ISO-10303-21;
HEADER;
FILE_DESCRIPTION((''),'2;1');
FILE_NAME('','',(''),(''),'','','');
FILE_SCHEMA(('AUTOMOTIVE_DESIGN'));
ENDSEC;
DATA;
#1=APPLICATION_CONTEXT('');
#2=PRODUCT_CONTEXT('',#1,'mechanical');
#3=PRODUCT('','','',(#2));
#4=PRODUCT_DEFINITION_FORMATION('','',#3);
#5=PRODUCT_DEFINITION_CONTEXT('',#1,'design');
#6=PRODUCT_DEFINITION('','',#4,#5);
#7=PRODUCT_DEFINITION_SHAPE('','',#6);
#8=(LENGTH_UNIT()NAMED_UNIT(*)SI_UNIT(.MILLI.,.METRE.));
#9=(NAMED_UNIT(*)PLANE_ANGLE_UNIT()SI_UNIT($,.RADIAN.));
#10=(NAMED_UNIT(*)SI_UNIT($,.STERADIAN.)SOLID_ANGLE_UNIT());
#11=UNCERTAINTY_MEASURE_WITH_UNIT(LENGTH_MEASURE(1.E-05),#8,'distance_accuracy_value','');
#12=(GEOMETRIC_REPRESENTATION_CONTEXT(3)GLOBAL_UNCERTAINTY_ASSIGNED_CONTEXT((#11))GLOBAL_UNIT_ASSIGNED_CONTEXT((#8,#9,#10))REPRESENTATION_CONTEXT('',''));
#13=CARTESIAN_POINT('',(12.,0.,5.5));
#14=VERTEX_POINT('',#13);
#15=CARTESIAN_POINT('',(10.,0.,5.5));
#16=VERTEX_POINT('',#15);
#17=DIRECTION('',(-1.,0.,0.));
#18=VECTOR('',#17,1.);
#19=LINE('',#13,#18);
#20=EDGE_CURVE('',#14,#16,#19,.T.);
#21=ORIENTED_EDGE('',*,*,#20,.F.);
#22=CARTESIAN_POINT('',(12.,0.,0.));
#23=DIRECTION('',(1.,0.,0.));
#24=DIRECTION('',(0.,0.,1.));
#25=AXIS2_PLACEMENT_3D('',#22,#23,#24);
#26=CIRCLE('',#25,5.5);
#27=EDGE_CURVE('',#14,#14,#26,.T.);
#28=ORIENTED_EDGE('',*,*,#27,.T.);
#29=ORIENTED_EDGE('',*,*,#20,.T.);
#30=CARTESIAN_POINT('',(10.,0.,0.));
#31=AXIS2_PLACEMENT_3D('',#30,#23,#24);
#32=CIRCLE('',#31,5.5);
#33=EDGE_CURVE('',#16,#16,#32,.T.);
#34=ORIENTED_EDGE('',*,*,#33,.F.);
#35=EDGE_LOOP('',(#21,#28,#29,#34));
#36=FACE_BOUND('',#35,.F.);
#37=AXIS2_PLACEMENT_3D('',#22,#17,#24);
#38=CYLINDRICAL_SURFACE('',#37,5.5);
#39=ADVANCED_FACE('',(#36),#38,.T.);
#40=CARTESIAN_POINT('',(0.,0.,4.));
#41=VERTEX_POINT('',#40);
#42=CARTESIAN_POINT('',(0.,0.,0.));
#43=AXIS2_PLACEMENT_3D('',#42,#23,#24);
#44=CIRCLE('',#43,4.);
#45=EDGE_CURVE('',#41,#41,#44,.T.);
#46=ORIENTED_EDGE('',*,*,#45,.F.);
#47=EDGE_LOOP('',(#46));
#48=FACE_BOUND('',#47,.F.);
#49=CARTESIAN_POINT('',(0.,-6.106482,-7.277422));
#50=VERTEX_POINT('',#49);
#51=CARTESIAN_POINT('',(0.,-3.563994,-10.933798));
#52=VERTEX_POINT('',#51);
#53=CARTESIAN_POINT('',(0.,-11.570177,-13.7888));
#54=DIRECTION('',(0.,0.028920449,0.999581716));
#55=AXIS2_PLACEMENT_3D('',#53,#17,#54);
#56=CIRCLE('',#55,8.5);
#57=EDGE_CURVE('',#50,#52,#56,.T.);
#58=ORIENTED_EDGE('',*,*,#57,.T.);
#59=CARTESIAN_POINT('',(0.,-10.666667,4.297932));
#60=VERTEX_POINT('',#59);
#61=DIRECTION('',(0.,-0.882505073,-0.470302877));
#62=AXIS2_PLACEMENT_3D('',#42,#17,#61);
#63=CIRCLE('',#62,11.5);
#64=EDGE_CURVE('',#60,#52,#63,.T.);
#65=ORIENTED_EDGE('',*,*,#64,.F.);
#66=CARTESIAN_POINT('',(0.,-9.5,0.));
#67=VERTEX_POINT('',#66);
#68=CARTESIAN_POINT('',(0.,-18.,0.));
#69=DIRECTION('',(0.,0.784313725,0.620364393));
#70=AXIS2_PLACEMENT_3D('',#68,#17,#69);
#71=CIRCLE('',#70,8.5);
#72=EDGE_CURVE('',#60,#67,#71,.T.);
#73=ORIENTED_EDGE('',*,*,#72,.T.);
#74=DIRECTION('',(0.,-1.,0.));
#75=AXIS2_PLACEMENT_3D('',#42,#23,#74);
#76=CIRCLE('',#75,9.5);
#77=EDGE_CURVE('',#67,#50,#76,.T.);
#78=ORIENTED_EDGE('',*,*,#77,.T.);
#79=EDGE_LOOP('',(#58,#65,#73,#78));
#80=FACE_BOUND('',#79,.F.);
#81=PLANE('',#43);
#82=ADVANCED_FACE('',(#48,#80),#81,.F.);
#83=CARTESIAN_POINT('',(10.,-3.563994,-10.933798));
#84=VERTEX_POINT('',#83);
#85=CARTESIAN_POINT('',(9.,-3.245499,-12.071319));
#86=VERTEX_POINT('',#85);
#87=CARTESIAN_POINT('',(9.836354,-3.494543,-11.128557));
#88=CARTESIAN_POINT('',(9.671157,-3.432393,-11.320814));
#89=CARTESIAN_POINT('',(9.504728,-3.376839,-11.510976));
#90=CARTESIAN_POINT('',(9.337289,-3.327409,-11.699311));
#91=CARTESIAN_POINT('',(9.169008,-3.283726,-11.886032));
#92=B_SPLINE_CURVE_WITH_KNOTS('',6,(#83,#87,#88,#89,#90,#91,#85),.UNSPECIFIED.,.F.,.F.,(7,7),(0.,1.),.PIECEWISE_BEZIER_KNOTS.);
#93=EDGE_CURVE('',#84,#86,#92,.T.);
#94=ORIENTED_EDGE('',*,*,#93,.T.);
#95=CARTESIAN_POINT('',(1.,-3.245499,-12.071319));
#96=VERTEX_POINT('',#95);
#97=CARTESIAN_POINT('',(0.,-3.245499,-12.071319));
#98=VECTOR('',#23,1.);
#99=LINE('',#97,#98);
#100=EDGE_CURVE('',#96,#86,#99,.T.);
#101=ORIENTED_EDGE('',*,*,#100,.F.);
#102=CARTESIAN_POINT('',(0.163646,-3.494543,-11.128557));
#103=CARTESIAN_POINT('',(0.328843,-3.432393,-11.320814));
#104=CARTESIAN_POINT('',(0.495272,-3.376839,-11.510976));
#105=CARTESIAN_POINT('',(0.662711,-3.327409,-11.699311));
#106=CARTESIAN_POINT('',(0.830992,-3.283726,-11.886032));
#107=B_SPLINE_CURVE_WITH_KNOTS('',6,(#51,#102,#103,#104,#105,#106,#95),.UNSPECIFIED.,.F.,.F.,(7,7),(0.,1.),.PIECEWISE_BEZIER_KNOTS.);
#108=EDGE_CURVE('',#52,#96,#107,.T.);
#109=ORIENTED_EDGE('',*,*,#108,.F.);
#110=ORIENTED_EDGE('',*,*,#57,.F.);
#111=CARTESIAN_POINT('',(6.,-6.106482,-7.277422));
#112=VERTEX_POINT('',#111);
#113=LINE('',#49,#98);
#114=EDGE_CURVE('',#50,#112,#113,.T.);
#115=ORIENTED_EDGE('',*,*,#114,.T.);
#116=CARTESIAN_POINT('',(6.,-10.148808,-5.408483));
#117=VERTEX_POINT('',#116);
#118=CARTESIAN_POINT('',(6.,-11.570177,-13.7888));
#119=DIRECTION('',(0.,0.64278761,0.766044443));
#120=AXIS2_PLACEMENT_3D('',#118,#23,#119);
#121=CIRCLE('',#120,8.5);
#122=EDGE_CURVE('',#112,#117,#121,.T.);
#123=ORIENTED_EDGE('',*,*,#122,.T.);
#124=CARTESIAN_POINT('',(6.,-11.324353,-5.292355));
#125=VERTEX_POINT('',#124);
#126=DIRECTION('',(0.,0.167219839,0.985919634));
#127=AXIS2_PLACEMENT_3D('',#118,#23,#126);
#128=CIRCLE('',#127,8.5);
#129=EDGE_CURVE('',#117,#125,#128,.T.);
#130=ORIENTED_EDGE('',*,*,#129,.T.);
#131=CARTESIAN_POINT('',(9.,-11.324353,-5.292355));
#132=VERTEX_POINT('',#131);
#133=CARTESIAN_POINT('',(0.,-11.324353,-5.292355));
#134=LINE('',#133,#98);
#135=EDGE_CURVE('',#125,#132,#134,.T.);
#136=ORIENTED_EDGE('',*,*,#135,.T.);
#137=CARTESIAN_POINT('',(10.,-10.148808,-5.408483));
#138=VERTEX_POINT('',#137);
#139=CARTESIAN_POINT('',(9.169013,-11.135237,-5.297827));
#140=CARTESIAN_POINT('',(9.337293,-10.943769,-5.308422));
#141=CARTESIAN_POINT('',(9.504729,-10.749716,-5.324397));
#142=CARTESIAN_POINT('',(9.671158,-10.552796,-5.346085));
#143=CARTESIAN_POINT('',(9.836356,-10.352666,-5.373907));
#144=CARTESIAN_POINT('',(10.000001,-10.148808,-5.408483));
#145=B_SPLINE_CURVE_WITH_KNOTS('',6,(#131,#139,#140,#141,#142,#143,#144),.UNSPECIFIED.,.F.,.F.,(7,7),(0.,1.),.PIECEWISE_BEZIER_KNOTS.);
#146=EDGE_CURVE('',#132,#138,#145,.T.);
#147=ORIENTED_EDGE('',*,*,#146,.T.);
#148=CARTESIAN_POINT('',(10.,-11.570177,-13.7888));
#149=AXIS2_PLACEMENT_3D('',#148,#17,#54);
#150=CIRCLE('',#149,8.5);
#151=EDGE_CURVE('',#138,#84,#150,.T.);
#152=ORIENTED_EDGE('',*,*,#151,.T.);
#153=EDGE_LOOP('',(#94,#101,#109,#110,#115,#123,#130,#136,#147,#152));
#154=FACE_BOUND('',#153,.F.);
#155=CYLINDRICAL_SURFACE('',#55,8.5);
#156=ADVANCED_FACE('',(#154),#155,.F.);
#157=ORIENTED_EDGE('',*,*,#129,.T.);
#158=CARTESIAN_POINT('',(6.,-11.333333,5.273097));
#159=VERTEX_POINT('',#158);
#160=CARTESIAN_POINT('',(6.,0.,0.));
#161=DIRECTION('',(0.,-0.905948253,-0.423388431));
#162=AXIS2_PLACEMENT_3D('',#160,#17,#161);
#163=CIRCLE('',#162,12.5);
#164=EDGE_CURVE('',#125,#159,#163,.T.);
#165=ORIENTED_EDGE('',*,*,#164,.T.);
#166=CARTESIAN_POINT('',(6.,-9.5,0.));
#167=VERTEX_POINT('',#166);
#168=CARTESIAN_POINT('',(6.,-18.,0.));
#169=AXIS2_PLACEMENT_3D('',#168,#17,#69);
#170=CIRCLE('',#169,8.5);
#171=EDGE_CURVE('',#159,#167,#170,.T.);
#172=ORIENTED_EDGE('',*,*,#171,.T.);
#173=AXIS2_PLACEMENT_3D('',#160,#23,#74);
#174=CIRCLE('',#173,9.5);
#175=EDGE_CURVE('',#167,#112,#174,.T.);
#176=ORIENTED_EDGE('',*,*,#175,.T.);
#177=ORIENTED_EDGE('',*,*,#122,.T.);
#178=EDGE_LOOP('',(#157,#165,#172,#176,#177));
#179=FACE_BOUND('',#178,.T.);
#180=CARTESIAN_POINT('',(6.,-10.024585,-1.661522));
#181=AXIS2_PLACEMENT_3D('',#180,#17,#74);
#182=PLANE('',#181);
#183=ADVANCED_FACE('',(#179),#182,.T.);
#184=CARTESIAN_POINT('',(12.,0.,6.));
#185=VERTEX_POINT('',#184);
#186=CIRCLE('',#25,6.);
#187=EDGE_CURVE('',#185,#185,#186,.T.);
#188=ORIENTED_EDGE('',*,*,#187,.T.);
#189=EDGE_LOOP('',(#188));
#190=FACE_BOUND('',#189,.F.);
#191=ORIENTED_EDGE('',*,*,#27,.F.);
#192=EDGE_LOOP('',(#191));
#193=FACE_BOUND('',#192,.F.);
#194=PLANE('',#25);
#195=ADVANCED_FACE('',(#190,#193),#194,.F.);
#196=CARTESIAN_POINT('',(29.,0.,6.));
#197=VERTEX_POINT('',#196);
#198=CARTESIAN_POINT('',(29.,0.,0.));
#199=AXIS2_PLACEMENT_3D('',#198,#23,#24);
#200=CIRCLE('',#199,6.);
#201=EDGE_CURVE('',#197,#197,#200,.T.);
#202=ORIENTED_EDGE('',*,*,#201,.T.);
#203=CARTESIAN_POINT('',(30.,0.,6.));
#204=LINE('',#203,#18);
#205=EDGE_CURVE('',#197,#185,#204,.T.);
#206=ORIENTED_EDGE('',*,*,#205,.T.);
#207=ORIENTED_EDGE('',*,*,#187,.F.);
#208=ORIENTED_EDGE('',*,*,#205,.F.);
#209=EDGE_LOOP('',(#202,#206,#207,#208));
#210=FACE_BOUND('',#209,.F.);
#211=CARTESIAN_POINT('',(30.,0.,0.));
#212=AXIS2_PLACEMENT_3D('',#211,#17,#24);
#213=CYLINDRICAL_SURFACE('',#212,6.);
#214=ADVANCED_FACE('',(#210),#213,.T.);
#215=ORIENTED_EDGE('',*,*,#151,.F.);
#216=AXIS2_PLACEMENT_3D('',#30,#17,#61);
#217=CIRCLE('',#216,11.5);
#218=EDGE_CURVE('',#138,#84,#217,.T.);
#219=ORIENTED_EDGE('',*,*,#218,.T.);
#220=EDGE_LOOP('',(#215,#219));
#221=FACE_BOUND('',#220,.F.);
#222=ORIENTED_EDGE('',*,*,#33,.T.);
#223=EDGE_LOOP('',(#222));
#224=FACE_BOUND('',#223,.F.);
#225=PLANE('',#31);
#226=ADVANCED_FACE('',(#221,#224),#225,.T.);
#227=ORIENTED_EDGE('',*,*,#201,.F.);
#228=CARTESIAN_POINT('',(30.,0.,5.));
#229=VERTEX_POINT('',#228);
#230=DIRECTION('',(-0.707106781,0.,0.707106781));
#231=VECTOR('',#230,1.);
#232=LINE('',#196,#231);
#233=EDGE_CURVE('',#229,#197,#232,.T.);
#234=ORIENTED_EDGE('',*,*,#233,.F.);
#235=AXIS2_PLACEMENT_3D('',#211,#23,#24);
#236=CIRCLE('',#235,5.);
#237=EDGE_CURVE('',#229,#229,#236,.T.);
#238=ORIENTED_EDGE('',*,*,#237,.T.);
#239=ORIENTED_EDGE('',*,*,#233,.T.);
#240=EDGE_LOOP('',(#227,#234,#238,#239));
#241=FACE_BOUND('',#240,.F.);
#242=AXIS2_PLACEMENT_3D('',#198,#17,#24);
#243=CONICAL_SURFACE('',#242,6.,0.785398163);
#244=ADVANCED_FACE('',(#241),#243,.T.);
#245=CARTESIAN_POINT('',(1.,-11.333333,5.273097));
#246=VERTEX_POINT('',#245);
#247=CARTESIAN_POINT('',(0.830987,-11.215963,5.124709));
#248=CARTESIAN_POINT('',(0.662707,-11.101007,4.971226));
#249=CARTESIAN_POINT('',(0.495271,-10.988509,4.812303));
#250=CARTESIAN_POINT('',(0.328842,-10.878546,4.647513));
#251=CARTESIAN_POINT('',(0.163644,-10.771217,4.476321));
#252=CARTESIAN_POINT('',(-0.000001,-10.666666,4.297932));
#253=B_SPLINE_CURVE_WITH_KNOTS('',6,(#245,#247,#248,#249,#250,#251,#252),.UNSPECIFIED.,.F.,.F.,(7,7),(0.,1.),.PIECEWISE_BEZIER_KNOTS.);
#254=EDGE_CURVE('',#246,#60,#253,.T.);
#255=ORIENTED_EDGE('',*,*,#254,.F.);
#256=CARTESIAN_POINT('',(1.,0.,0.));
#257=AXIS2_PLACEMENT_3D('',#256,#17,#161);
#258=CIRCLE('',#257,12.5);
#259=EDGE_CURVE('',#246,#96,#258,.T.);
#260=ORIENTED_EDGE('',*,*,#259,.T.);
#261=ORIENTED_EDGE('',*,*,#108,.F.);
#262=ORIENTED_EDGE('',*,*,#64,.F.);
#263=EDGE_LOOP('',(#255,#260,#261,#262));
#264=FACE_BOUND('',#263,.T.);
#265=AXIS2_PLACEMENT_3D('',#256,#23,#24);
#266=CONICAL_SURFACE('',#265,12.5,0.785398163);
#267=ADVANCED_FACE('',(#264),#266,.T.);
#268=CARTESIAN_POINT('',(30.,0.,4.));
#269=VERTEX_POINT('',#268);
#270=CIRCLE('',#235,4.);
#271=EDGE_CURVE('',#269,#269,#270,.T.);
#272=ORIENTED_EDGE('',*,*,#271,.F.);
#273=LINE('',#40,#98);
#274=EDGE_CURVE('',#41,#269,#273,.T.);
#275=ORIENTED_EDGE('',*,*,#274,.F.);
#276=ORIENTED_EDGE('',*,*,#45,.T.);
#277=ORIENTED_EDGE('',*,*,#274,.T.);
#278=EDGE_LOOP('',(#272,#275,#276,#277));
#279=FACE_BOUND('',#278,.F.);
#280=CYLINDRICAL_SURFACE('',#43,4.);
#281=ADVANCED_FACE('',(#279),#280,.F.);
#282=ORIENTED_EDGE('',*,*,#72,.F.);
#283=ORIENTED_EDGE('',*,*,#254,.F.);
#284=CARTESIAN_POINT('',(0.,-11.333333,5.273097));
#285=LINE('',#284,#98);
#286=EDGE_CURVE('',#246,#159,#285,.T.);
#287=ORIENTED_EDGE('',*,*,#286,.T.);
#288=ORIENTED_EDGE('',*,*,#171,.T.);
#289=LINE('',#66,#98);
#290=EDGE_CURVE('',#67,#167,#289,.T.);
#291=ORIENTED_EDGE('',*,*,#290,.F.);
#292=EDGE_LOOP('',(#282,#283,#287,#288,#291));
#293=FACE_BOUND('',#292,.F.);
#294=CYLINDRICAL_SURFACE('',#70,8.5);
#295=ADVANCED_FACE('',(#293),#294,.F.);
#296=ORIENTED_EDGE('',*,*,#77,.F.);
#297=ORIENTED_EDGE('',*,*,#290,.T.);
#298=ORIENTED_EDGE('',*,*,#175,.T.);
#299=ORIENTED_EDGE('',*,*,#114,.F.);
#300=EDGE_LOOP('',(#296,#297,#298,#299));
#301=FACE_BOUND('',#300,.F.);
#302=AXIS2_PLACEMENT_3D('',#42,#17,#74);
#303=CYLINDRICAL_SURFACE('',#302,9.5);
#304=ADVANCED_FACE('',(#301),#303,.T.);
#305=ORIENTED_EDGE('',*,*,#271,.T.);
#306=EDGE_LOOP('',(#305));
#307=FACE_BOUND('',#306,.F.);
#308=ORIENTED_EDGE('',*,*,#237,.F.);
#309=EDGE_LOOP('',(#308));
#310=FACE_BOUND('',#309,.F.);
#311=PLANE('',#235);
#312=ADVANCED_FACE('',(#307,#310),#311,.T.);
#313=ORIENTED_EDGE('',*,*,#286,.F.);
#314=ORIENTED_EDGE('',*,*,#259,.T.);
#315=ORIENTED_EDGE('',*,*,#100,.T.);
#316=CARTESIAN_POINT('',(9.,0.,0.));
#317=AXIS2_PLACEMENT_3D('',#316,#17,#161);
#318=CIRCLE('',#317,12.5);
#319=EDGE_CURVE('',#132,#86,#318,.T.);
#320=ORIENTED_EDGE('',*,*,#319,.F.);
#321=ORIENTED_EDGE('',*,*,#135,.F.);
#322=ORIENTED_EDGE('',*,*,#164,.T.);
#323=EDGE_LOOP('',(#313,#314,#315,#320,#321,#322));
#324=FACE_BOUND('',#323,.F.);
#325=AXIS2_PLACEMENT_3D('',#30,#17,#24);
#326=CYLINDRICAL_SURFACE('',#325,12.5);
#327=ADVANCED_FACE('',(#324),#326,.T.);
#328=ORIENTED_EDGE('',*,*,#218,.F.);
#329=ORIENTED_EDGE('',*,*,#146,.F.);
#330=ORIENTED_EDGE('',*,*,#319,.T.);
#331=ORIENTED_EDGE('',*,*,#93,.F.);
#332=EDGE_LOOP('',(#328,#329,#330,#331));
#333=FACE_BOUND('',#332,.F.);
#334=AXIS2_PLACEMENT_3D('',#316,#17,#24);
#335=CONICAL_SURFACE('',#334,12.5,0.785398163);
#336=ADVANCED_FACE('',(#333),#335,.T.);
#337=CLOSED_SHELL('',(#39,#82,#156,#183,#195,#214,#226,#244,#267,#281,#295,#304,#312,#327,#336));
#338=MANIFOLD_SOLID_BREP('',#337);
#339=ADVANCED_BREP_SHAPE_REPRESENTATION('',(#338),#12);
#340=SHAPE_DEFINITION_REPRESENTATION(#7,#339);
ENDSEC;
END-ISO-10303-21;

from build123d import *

# Parameters (mm, degrees)
F2_SIZE  = 1
F4_DEPTH = 10
F6_DEPTH = 6


with BuildPart() as f1:
    # F0 (on Front) → F1 (revolve)
    with BuildSketch(Plane.XZ):
        Polygon((0, 12.5), (0, 4), (30, 4), (30, 6), (12, 6), (12, 5.5), (10, 5.5), (10, 12.5), align=None)
    revolve(axis=Axis((7.8071541328, 0, 0), (1, 0, 0)))

    # F2
    f2_edges = [f1.edges().sort_by_distance(p)[0] for p in [
        (30, 0, -6),
        (10, 0, -12.5),
        (0, 0, -12.5),
    ]]
    chamfer(f2_edges, length=F2_SIZE)

    # F3 (on face) → F4 (cut)
    with BuildSketch(Plane(origin=(0, 0, 0), x_dir=(0, -1, 0), z_dir=(-1, 0, 0))):
        with BuildLine():
            ThreePointArc((3.2454993279, -12.0713186567), (8.0348451211, -9.575555539), (11.3243531583, -5.2923553873))
            ThreePointArc((11.3243531583, -5.2923553873), (6.106482292, -7.2774222096), (3.2454993279, -12.0713186567))
        make_face()
    extrude(amount=-F4_DEPTH, mode=Mode.SUBTRACT)

    # F5 (on face) → F6 (cut)
    with BuildSketch(Plane(origin=(0, 0, 0), x_dir=(0, -1, 0), z_dir=(-1, 0, 0))):
        with BuildLine():
            ThreePointArc((9.5, 0), (8.6099239768, -4.0148734865), (6.106482292, -7.2774222096))
            ThreePointArc((6.106482292, -7.2774222096), (8.003069241, -6.0735072132), (10.1488083402, -5.4084830844))
            ThreePointArc((10.1488083402, -5.4084830844), (10.7345609878, -5.3299734663), (11.3243531583, -5.2923553873))
            ThreePointArc((11.3243531583, -5.2923553873), (12.4999954848, -0.0106244522), (11.3333333333, 5.2730973399))
            ThreePointArc((11.3333333333, 5.2730973399), (9.9714052703, 2.7913557041), (9.5, 0))
        make_face()
    extrude(amount=-F6_DEPTH, mode=Mode.SUBTRACT)


solid = f1.part
